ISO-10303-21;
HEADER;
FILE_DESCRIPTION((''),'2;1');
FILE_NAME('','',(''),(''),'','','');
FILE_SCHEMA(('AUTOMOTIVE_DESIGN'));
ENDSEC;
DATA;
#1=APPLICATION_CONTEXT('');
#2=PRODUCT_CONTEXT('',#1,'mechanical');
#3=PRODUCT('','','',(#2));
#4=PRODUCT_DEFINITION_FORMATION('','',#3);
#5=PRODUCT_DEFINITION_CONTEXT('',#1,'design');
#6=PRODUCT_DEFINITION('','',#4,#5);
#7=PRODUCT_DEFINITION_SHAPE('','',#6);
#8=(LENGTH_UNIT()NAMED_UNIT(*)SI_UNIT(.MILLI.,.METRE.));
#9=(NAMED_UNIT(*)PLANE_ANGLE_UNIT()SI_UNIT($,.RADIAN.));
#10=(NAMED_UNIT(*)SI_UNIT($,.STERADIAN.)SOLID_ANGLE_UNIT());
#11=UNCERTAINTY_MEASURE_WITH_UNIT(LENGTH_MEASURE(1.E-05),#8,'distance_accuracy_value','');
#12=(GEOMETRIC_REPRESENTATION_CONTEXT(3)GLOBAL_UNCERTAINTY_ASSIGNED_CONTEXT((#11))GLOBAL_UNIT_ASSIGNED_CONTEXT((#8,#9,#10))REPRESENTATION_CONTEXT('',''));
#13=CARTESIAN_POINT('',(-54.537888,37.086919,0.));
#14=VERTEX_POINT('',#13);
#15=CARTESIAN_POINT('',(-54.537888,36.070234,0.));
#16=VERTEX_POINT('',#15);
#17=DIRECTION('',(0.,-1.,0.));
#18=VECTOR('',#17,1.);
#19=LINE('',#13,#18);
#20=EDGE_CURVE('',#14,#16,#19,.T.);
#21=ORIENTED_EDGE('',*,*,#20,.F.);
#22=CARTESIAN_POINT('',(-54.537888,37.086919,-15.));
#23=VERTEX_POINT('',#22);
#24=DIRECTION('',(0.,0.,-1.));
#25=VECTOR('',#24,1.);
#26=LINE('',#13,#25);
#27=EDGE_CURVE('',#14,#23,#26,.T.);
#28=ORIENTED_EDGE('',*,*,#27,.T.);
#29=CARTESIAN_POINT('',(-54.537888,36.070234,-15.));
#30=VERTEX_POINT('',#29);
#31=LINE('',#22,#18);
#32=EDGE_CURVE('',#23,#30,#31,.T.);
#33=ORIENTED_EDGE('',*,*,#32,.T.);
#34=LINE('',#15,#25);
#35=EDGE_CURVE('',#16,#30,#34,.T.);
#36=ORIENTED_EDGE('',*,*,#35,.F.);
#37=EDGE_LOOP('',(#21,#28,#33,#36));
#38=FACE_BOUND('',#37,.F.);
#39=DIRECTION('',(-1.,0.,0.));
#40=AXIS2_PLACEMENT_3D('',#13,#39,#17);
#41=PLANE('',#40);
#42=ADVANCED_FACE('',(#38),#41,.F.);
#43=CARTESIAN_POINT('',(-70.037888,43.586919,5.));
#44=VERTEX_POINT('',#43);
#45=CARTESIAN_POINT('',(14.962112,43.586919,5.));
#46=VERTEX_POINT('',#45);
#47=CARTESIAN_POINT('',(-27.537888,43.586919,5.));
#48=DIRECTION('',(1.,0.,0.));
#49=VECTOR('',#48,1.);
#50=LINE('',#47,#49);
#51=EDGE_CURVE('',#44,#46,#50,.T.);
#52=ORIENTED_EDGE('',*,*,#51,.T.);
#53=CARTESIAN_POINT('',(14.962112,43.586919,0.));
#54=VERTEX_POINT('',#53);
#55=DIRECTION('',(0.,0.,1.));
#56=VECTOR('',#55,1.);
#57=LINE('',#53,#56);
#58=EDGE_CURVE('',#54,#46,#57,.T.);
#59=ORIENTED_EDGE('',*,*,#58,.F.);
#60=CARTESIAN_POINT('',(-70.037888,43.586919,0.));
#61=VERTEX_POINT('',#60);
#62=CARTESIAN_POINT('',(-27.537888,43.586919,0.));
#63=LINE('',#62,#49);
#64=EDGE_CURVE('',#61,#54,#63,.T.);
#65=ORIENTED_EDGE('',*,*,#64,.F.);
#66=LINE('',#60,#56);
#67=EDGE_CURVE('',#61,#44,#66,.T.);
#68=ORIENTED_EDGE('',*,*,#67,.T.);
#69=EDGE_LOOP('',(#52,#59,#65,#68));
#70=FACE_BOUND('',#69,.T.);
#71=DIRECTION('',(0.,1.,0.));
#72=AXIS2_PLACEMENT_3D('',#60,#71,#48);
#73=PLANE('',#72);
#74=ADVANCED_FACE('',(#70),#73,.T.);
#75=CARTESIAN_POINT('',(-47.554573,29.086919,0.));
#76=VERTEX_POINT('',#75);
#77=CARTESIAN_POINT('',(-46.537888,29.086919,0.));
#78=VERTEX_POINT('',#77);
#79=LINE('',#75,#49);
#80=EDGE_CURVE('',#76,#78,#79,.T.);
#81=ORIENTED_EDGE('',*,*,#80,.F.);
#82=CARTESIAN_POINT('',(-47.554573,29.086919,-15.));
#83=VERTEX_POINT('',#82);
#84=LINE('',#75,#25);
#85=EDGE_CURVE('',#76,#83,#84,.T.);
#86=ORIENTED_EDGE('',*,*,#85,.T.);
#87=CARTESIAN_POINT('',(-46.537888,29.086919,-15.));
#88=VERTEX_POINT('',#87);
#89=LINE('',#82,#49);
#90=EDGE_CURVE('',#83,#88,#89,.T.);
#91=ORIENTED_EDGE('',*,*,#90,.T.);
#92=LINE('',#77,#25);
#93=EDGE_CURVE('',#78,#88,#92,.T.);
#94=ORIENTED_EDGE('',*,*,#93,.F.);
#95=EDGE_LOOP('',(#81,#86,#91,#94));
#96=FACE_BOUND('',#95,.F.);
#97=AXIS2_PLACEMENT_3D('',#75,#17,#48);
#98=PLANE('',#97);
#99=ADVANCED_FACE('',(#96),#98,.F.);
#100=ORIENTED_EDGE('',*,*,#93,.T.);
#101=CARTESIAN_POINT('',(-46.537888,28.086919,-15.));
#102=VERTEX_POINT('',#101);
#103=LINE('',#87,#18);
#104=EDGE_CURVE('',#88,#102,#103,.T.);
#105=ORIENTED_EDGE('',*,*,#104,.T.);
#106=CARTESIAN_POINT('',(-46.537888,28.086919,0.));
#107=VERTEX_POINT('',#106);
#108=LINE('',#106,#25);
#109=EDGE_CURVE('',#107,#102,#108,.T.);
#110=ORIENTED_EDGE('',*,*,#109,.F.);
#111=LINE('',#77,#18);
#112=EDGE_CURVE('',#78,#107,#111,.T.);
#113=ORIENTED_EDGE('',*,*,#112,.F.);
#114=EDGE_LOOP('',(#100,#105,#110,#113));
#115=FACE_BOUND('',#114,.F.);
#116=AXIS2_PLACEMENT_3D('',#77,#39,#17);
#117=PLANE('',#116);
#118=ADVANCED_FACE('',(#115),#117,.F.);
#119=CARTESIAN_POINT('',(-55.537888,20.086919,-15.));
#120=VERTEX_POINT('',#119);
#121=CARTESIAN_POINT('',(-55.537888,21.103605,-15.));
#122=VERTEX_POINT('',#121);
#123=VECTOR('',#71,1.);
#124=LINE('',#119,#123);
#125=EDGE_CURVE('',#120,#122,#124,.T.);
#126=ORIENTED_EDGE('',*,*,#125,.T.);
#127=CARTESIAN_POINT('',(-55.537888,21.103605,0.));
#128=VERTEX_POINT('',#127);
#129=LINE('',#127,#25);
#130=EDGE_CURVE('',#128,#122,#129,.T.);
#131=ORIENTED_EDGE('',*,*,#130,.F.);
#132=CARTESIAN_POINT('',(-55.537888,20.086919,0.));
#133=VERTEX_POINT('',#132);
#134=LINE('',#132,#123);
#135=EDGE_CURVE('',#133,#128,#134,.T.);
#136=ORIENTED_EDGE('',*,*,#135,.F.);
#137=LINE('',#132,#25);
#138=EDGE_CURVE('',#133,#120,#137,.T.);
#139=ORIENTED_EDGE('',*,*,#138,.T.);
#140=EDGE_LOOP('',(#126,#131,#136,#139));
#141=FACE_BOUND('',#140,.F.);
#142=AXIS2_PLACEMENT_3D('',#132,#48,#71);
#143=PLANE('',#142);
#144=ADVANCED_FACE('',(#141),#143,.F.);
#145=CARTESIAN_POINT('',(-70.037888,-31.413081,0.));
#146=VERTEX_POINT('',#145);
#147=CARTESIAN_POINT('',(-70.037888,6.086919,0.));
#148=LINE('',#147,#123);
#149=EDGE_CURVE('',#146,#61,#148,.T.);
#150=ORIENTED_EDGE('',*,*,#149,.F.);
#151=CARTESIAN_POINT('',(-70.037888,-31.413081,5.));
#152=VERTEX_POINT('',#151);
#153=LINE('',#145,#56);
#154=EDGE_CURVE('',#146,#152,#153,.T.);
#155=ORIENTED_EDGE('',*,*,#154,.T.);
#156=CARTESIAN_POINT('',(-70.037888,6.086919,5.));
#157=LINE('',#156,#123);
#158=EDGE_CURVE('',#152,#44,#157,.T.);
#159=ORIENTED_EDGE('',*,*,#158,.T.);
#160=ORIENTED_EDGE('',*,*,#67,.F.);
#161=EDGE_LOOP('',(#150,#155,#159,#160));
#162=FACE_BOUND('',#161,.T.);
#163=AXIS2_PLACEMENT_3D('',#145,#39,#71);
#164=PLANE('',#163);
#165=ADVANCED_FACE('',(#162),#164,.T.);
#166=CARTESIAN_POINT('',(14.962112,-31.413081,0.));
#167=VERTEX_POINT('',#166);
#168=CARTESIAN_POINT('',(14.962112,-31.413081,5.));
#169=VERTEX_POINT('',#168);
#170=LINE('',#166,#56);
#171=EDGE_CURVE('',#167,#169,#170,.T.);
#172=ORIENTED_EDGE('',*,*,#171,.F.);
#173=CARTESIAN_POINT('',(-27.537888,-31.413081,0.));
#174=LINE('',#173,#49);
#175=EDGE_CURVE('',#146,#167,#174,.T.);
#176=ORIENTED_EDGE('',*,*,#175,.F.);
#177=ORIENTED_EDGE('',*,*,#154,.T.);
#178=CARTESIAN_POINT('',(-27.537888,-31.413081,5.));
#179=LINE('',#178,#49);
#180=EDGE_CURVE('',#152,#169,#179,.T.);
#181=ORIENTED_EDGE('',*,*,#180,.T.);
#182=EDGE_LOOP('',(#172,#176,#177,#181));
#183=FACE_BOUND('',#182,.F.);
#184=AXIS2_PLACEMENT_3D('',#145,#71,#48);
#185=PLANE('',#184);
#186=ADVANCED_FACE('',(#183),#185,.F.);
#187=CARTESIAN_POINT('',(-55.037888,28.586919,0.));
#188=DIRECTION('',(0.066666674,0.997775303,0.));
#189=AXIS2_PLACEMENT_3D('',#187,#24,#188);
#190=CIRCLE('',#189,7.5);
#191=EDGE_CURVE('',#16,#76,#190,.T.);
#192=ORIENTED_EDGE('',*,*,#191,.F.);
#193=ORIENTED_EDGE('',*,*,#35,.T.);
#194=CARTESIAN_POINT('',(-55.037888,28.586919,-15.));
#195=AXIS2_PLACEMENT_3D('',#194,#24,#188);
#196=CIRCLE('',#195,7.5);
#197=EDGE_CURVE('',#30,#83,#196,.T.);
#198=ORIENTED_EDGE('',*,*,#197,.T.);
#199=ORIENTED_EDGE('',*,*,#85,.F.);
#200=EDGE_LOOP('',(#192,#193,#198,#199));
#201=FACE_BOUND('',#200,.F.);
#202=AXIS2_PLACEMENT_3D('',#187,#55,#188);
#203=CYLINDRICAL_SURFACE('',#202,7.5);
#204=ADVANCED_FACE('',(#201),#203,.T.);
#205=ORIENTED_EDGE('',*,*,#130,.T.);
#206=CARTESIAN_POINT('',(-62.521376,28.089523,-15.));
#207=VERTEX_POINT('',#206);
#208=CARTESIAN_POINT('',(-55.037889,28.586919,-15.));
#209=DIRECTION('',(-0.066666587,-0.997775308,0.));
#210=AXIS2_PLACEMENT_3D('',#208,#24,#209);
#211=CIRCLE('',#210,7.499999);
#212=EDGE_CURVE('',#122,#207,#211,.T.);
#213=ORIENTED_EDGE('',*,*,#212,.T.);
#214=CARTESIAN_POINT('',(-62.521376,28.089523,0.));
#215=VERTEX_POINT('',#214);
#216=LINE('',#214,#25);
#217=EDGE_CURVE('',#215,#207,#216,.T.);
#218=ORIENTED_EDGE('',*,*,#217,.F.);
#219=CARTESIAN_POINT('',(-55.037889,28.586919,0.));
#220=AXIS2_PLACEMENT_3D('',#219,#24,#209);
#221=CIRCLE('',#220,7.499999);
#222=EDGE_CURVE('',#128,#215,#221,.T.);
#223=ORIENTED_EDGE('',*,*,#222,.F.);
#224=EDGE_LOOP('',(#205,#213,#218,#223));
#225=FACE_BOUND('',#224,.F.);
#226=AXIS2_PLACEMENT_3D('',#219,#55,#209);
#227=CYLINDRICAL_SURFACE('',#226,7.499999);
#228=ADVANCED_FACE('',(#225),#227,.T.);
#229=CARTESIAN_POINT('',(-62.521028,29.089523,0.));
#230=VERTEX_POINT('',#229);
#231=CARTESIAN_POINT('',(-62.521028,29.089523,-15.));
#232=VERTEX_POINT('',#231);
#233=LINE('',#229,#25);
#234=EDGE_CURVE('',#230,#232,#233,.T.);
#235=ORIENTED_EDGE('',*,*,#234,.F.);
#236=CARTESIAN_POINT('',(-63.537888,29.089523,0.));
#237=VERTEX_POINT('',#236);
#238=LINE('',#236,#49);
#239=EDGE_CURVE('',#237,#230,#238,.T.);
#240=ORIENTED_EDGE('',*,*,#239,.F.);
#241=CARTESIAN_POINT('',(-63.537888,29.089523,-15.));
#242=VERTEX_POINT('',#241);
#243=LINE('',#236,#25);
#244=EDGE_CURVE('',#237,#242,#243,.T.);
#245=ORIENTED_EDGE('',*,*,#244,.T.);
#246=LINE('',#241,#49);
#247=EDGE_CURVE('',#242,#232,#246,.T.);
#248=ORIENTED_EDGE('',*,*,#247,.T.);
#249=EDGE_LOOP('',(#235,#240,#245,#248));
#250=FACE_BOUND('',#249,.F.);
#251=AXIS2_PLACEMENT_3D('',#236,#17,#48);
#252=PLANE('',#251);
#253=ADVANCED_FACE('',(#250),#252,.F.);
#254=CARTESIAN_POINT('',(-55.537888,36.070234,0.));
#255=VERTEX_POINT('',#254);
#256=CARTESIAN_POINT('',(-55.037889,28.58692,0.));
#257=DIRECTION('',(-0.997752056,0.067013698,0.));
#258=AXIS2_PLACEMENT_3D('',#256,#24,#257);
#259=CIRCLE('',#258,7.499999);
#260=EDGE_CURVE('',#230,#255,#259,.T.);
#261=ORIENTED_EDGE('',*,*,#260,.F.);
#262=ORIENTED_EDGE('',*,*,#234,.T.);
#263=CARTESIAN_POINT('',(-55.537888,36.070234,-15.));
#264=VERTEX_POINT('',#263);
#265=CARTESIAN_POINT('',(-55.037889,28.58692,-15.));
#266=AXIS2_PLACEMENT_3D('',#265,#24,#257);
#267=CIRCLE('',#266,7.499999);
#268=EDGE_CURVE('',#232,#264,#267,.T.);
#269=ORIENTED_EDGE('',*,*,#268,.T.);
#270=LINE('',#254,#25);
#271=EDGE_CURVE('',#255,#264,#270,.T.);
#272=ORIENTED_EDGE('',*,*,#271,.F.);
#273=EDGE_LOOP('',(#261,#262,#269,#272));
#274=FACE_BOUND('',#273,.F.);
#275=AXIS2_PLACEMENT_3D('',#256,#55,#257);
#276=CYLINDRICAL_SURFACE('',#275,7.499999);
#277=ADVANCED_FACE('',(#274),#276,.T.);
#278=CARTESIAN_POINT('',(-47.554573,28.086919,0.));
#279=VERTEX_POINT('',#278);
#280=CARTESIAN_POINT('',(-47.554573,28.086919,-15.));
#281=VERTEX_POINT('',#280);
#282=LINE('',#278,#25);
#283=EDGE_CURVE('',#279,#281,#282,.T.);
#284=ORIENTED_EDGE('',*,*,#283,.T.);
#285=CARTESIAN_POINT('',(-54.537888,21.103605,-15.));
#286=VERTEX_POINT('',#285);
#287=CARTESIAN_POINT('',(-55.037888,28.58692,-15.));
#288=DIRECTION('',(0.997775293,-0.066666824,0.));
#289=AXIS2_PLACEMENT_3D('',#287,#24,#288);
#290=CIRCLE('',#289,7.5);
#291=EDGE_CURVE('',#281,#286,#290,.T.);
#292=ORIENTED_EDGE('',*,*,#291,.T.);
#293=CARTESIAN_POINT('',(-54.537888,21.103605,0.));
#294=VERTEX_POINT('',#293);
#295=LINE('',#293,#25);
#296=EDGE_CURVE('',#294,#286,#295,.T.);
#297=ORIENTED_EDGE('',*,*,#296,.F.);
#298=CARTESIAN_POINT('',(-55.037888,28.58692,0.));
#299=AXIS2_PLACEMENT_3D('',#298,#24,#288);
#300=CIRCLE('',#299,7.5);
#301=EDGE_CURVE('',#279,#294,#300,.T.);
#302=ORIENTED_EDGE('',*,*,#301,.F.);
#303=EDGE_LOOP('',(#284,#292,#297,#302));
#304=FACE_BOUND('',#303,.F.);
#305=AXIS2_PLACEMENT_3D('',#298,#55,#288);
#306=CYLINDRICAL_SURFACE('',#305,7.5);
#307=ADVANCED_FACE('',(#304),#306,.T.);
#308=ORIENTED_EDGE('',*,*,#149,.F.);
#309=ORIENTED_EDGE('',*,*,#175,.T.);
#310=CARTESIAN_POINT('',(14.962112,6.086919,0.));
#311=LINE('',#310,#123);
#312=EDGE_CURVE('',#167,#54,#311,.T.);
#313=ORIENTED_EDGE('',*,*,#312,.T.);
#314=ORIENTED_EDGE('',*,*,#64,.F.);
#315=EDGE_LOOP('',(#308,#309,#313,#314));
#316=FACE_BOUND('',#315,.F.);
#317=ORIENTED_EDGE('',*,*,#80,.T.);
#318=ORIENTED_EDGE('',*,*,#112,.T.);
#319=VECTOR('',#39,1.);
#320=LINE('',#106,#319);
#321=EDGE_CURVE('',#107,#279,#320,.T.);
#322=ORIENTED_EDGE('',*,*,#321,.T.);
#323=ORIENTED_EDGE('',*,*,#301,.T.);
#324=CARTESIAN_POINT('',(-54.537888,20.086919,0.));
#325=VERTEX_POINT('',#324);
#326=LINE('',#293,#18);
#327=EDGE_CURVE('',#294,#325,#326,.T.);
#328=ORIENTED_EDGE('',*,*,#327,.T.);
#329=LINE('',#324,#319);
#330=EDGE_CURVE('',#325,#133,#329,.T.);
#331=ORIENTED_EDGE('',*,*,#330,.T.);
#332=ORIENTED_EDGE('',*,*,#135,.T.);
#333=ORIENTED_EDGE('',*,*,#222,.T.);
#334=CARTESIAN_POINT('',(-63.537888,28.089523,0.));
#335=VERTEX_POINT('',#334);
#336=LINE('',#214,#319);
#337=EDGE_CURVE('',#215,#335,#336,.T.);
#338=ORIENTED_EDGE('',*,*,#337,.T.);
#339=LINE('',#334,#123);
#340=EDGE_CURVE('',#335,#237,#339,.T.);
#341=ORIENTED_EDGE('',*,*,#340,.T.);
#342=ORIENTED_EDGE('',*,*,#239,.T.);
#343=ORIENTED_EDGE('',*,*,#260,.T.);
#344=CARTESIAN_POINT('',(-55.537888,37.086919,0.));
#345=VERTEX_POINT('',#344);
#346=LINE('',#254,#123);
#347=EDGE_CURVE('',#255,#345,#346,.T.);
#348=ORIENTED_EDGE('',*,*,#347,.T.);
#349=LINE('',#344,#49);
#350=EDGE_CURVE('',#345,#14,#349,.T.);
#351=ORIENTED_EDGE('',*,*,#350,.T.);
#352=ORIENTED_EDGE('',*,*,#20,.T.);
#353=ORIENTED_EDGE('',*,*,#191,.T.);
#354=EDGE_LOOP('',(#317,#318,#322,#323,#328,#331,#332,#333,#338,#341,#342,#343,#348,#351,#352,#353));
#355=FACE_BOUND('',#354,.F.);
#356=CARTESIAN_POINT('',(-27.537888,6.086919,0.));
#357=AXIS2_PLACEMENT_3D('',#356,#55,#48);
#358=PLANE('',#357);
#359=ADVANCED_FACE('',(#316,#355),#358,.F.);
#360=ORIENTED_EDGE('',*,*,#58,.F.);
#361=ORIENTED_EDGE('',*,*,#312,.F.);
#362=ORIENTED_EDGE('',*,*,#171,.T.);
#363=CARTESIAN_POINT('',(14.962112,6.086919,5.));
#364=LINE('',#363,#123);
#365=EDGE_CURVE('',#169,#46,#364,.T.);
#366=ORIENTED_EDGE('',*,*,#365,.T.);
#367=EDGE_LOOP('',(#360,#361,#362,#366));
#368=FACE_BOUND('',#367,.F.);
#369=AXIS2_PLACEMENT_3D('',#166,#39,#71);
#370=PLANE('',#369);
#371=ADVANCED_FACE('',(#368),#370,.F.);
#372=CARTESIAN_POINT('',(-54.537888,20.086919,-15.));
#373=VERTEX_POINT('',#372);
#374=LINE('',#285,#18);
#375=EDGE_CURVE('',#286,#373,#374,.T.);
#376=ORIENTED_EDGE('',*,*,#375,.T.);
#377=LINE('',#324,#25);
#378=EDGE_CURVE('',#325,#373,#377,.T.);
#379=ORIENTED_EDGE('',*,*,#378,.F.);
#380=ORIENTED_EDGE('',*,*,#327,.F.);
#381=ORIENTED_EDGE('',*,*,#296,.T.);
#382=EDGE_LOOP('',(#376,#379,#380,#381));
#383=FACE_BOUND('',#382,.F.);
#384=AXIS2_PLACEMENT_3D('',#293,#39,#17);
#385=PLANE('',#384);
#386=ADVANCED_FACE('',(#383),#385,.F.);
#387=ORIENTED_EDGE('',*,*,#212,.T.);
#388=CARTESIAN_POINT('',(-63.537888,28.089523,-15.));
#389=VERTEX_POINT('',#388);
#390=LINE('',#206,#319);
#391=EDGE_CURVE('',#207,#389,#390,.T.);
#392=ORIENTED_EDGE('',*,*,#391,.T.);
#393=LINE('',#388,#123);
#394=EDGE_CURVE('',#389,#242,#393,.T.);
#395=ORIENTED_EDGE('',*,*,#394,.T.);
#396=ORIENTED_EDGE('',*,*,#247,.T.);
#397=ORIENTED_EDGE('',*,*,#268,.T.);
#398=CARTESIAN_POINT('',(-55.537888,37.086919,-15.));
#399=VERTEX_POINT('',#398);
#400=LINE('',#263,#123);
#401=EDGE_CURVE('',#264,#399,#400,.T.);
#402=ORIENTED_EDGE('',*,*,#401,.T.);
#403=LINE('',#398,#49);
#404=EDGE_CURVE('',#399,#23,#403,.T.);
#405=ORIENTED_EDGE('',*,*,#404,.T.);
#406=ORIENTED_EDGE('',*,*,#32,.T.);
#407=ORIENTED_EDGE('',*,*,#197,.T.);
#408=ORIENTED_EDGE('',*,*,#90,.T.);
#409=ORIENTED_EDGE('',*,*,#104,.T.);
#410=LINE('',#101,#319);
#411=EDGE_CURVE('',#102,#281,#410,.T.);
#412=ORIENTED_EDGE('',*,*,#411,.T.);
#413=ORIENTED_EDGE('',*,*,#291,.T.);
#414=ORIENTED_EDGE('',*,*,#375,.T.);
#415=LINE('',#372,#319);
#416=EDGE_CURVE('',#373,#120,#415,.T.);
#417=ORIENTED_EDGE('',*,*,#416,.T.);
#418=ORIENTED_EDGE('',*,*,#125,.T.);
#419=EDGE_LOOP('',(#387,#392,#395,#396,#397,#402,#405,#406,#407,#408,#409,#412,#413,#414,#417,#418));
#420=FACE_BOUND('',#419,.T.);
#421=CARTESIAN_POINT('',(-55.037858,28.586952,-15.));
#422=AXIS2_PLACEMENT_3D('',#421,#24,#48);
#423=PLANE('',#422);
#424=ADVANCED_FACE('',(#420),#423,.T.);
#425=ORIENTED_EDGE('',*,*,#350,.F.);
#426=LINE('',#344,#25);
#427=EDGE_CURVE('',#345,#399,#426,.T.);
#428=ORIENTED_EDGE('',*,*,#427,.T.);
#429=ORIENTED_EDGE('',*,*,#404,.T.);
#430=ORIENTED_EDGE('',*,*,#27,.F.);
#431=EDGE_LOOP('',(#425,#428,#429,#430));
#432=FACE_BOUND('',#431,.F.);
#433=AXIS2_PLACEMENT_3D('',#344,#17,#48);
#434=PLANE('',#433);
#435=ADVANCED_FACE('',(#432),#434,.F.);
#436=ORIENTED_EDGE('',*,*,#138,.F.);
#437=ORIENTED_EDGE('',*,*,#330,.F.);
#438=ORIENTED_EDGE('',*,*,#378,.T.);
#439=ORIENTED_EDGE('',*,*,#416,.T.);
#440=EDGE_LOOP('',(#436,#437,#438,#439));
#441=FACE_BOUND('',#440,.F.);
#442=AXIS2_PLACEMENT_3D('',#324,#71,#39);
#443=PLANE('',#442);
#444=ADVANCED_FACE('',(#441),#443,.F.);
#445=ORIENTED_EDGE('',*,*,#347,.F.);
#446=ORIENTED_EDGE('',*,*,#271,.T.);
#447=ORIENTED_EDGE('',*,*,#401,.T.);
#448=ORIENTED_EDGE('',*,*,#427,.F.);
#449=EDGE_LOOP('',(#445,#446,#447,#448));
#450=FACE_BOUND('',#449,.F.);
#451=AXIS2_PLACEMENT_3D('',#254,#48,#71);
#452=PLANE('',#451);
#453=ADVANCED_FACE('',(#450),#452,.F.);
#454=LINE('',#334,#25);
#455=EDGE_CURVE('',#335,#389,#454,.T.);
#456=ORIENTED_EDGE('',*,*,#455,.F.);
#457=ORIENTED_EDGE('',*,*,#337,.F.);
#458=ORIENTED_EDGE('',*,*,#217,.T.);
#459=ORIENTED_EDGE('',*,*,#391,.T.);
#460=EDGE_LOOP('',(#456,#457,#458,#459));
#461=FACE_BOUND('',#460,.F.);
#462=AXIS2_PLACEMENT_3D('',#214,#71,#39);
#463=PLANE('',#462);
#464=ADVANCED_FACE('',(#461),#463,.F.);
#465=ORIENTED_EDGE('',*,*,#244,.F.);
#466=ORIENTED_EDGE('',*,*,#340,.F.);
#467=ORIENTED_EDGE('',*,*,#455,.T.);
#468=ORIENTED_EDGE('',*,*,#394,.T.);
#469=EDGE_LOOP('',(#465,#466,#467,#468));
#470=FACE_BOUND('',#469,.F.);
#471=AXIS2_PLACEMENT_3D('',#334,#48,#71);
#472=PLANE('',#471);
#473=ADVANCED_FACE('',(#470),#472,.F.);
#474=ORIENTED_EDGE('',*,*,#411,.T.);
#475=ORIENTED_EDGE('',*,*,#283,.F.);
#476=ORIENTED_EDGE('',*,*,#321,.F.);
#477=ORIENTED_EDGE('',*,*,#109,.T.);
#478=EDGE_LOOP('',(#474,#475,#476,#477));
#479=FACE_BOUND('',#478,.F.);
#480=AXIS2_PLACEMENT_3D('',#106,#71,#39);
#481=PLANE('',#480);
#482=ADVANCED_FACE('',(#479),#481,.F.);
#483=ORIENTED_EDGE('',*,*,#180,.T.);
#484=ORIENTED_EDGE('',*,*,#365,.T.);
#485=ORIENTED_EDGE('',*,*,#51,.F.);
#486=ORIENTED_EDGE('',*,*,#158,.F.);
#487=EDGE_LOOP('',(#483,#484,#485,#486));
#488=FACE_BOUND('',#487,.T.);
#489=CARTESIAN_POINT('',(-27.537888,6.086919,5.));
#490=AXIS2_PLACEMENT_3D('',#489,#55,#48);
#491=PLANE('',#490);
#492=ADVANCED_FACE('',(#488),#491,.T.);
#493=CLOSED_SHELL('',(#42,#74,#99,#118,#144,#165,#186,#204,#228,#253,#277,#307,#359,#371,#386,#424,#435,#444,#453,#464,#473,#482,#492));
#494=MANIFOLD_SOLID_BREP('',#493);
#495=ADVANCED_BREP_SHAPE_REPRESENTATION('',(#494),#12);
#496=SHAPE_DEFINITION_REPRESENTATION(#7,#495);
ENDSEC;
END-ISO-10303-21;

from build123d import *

# Parameters (mm, degrees)
F0_W     = 85
F0_H     = 75
F1_DEPTH = 5
F3_DEPTH = 15


with BuildPart() as f1:
    # F0 (on Top) → F1 (new body)
    with BuildSketch(Plane.XY):
        with Locations((-27.537888, 6.086919)):
            Rectangle(F0_W, F0_H)
    extrude(amount=F1_DEPTH)

    # F2 (on face) → F3 (join)
    with BuildSketch(Plane(origin=(0, 0, 0), x_dir=(1, 0, 0), z_dir=(0, 0, -1))):
        with BuildLine():
            ThreePointArc((-47.554573, -29.086919), (-47.542061, -28.837059), (-47.537888, -28.586919))
            ThreePointArc((-47.537888, -28.586919), (-47.542061, -28.33678), (-47.554573, -28.086919))
            ThreePointArc((-47.554573, -28.086919), (-49.734587, -23.283619), (-54.537888, -21.103605))
            ThreePointArc((-54.537888, -21.103605), (-55.037888, -21.086919), (-55.537888, -21.103605))
            ThreePointArc((-55.537888, -21.103605), (-60.342111, -23.284541), (-62.521376, -28.089523))
            ThreePointArc((-62.521376, -28.089523), (-62.537888, -28.589529), (-62.521028, -29.089523))
            ThreePointArc((-62.521028, -29.089523), (-60.340266, -33.891143), (-55.537888, -36.070234))
            ThreePointArc((-55.537888, -36.070234), (-55.037888, -36.086919), (-54.537888, -36.070234))
            ThreePointArc((-54.537888, -36.070234), (-49.734587, -33.89022), (-47.554573, -29.086919))
        make_face()
        with BuildLine():
            ThreePointArc((-62.521028, -29.089523), (-62.537888, -28.589529), (-62.521376, -28.089523))
            Line((-62.521376, -28.089523), (-63.537888, -28.089523))
            Line((-63.537888, -28.089523), (-63.537888, -29.089523))
            Line((-63.537888, -29.089523), (-62.521028, -29.089523))
        make_face()
        with BuildLine():
            ThreePointArc((-47.554573, -28.086919), (-47.542061, -28.33678), (-47.537888, -28.586919))
            ThreePointArc((-47.537888, -28.586919), (-47.542061, -28.837059), (-47.554573, -29.086919))
            Line((-47.554573, -29.086919), (-46.537888, -29.086919))
            Line((-46.537888, -29.086919), (-46.537888, -28.086919))
            Line((-46.537888, -28.086919), (-47.554573, -28.086919))
        make_face()
        with BuildLine():
            ThreePointArc((-55.537888, -21.103605), (-55.037888, -21.086919), (-54.537888, -21.103605))
            Line((-54.537888, -21.103605), (-54.537888, -20.086919))
            Line((-54.537888, -20.086919), (-55.537888, -20.086919))
            Line((-55.537888, -20.086919), (-55.537888, -21.103605))
        make_face()
        with BuildLine():
            Line((-54.537888, -37.086919), (-54.537888, -36.070234))
            ThreePointArc((-54.537888, -36.070234), (-55.037888, -36.086919), (-55.537888, -36.070234))
            Line((-55.537888, -36.070234), (-55.537888, -37.086919))
            Line((-55.537888, -37.086919), (-54.537888, -37.086919))
        make_face()
    extrude(amount=F3_DEPTH)


solid = f1.part
